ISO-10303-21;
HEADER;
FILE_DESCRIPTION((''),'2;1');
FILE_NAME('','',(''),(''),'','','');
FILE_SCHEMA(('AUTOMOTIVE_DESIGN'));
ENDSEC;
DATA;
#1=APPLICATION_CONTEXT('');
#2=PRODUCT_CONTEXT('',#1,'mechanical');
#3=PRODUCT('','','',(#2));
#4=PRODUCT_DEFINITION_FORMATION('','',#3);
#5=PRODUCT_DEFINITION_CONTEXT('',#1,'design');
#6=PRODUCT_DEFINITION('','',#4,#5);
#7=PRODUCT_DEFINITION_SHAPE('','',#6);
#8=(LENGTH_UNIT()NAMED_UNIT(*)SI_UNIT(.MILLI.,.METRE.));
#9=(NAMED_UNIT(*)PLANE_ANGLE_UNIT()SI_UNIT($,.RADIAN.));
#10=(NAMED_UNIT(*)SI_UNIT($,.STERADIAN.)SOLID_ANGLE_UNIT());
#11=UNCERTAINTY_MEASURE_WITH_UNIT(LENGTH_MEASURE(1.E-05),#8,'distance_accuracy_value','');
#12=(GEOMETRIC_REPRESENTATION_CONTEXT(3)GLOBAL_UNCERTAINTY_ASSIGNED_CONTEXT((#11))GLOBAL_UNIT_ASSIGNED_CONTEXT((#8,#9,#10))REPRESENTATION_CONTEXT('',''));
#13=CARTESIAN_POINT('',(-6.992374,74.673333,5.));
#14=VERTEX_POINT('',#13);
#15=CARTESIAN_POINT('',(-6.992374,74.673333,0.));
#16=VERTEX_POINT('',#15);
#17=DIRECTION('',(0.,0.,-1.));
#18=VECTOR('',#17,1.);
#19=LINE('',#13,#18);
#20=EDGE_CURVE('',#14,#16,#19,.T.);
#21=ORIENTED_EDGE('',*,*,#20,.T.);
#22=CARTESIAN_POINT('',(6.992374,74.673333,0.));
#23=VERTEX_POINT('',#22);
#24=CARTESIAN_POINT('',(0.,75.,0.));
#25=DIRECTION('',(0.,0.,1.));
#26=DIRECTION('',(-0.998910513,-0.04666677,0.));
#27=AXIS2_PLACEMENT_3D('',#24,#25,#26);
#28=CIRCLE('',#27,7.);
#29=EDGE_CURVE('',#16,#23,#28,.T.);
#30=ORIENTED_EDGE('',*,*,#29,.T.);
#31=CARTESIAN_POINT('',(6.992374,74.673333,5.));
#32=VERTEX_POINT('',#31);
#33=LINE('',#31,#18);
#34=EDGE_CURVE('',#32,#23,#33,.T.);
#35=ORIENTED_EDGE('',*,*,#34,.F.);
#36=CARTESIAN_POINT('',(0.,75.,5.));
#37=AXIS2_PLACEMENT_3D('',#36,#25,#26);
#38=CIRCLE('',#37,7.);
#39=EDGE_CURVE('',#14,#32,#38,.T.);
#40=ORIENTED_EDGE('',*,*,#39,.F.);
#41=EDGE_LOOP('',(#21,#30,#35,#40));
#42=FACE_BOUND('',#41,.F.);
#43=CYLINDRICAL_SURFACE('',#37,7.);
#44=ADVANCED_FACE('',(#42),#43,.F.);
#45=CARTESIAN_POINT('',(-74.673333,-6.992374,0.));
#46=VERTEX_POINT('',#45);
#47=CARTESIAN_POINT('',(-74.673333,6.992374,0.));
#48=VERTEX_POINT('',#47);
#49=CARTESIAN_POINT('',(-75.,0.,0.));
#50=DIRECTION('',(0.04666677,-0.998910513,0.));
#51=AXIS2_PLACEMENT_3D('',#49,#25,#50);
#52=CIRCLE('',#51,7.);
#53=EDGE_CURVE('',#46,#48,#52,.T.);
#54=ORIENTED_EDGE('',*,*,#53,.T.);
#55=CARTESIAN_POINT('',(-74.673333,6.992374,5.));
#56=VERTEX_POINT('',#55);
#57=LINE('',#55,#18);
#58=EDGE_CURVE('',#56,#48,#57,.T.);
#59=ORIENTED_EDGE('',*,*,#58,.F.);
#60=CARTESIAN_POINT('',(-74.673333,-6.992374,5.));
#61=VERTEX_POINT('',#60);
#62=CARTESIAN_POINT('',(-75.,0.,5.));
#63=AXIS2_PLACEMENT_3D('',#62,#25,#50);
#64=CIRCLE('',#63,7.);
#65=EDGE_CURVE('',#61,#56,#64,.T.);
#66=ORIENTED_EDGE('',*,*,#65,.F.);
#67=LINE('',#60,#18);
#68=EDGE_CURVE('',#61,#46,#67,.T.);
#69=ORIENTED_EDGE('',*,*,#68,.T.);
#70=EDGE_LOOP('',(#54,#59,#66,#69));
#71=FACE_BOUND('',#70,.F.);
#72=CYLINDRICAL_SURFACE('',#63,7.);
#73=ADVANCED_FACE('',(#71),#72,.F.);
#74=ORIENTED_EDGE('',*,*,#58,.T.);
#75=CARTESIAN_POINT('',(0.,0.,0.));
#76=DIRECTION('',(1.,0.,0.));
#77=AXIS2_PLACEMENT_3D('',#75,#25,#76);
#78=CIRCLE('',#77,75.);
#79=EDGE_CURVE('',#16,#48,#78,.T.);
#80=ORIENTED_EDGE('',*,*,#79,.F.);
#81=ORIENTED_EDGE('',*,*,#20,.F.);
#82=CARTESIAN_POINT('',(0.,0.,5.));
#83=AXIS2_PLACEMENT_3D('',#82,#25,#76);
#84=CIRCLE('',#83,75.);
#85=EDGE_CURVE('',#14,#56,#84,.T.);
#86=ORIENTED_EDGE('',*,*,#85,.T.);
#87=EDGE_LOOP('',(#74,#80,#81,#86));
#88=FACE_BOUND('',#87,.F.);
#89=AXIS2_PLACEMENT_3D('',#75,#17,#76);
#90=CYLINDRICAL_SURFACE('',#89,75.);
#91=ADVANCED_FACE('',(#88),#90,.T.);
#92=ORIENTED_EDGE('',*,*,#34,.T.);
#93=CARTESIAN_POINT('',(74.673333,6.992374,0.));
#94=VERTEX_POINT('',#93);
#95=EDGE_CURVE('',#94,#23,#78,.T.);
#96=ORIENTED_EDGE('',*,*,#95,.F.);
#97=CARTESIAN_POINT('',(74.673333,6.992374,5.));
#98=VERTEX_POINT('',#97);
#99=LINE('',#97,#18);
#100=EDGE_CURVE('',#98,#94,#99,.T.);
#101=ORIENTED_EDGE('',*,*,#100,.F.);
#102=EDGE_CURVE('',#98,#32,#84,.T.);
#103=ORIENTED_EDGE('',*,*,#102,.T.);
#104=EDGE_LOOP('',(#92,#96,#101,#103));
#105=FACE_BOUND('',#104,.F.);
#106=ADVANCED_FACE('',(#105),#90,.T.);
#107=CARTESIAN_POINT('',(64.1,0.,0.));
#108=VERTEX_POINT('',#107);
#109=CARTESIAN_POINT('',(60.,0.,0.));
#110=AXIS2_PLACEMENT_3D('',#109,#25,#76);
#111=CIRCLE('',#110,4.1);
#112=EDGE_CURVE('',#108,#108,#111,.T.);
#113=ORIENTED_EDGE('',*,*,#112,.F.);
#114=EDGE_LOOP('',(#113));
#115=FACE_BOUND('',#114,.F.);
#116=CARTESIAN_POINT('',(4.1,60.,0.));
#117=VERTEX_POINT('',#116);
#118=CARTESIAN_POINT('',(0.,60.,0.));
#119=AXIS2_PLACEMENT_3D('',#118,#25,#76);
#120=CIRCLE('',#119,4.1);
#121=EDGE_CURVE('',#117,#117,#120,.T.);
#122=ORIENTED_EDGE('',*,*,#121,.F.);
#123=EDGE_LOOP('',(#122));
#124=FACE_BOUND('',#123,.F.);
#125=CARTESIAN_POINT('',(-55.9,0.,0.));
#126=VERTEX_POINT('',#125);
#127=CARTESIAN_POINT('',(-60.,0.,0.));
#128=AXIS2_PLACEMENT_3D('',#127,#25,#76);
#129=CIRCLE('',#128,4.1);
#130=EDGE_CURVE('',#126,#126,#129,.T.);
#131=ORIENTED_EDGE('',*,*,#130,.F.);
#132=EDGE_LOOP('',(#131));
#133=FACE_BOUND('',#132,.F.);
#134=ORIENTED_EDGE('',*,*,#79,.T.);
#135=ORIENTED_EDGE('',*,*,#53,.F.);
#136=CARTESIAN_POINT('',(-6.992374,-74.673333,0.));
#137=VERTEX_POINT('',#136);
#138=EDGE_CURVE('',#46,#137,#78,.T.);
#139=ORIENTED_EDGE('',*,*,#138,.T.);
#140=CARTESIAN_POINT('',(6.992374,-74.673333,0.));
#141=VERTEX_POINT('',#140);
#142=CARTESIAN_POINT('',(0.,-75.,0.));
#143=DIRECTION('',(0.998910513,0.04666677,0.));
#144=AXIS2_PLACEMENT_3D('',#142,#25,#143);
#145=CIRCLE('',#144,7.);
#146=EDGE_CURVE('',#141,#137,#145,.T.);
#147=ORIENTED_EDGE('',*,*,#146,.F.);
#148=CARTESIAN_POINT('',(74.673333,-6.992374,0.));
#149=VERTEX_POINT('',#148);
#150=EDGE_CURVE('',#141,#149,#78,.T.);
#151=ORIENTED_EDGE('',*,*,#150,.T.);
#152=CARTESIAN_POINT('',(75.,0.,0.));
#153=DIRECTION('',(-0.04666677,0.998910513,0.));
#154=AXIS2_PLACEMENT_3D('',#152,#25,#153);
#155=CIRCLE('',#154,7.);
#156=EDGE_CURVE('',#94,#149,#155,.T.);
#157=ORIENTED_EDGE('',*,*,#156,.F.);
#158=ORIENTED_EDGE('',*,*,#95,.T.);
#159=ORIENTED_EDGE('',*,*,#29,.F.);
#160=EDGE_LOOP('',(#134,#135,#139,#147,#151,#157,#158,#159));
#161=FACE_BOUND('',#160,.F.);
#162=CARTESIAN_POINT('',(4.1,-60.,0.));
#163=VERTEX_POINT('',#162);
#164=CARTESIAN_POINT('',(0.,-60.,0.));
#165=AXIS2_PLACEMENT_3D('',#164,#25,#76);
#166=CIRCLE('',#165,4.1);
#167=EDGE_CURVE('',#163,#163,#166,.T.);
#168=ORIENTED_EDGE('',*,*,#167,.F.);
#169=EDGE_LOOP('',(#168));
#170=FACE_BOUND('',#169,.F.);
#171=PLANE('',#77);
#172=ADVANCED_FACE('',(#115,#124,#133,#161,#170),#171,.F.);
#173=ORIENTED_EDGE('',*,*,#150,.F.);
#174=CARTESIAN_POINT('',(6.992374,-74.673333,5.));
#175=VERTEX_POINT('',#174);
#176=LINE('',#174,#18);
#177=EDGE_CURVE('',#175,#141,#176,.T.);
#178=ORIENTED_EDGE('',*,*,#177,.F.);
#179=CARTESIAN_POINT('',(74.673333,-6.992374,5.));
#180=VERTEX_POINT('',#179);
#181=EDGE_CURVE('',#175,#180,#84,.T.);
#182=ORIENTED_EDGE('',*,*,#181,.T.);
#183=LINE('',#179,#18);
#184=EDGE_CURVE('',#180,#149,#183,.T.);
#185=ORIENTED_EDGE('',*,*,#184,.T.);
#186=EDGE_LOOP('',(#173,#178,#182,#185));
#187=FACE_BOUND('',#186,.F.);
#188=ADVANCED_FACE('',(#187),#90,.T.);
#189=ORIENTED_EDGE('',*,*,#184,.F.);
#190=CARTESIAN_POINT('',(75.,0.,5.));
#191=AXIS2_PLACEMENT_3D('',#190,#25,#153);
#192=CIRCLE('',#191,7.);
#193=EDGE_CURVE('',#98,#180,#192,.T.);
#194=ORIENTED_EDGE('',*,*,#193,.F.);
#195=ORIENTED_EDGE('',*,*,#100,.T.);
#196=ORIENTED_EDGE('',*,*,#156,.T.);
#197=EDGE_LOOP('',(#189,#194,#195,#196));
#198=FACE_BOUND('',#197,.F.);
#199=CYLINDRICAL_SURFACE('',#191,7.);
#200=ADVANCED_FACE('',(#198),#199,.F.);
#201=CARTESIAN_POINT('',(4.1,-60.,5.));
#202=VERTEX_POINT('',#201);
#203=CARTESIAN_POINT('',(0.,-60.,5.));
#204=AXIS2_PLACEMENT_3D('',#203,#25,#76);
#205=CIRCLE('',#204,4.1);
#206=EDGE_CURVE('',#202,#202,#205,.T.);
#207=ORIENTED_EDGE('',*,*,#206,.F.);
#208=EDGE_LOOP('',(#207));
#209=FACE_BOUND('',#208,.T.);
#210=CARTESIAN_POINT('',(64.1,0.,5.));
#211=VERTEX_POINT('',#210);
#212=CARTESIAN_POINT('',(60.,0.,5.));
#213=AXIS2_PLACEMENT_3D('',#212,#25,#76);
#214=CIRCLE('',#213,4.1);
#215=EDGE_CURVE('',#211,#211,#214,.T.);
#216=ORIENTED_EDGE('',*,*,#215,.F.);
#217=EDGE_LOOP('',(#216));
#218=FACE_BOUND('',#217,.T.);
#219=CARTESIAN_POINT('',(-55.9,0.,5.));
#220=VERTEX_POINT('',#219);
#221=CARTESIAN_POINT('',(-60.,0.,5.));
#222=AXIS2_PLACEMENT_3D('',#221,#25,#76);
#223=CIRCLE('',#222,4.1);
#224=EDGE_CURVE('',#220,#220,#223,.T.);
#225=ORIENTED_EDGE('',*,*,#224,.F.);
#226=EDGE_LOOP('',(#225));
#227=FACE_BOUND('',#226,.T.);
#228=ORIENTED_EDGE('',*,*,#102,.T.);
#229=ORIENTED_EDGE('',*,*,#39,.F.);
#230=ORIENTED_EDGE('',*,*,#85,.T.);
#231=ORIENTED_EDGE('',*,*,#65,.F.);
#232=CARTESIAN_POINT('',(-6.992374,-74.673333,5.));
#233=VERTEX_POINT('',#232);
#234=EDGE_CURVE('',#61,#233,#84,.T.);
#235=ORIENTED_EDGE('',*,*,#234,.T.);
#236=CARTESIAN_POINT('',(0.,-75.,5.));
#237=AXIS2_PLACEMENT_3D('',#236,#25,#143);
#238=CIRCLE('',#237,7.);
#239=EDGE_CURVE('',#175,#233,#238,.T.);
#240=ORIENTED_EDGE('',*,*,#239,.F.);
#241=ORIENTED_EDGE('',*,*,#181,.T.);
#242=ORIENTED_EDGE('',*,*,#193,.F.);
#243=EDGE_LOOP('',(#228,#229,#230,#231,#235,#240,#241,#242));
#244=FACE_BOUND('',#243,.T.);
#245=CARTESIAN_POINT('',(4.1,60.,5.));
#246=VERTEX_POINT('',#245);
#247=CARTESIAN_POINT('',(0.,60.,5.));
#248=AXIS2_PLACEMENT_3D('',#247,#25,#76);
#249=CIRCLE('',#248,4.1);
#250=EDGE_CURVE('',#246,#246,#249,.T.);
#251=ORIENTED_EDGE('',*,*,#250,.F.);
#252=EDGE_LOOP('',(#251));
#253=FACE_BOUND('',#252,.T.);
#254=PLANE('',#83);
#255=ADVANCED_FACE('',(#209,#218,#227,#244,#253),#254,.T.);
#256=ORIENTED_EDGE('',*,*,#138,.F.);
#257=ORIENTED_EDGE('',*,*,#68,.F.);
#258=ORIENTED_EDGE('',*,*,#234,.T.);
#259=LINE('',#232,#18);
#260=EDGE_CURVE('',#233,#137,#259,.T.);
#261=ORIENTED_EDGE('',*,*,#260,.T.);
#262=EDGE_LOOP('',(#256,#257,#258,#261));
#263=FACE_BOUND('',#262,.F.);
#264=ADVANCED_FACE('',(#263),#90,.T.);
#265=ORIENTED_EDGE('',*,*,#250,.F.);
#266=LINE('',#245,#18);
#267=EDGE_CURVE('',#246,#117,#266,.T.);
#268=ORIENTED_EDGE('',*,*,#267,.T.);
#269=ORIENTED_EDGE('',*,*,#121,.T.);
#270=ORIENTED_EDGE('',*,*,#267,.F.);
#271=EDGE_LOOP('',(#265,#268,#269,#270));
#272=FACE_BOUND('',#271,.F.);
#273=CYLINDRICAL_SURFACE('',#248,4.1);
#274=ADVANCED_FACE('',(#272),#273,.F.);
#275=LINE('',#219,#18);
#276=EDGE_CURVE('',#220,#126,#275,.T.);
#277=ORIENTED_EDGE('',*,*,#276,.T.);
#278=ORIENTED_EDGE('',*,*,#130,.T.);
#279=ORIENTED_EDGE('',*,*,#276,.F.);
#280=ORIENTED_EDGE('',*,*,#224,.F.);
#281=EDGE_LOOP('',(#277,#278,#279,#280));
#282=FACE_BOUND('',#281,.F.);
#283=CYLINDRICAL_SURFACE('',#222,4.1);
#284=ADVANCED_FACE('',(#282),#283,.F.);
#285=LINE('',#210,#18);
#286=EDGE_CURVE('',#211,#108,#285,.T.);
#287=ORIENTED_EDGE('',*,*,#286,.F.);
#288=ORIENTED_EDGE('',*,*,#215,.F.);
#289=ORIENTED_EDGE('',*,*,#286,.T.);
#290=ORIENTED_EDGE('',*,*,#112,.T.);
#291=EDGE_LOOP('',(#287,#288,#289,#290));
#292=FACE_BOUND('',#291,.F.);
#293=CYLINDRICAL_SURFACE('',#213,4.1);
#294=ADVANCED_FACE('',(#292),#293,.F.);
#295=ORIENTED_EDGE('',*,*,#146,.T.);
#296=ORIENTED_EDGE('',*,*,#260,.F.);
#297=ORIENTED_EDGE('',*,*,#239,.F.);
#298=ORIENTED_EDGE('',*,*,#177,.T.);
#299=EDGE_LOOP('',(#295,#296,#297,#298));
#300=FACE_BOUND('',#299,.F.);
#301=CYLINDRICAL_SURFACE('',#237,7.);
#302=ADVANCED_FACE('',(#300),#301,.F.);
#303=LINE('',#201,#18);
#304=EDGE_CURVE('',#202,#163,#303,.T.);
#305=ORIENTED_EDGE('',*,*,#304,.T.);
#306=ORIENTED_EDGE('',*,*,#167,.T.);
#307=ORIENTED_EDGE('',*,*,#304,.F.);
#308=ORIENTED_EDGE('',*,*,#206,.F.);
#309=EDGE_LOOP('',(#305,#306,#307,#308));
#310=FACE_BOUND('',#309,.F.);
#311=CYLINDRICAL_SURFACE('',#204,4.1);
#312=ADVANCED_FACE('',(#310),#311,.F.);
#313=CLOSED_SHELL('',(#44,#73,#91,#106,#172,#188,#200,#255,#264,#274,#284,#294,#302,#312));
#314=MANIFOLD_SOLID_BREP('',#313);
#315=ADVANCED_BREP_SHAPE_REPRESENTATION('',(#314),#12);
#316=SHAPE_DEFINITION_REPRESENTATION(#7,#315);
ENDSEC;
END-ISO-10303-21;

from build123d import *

# Parameters (mm, degrees)
F0_R     = 75
F1_DEPTH = 5
F2_R     = 4.1
F3_DEPTH = 5


with BuildPart() as f1:
    # F0 (on Top) → F1 (new body)
    with BuildSketch(Plane.XY):
        Circle(F0_R)
    extrude(amount=F1_DEPTH)

    # F2 (on face) → F3 (cut, through all)
    with BuildSketch(Plane.XY.offset(5)):
        with Locations((0, 60)):
            Circle(F2_R)
        with Locations((60, 0)):
            Circle(F2_R)
        with Locations((0, -60)):
            Circle(F2_R)
        with Locations((-60, 0)):
            Circle(F2_R)
        with BuildLine():
            ThreePointArc((74.673333, -6.992374), (75, 0), (74.673333, 6.992374))
            ThreePointArc((74.673333, 6.992374), (68, 0), (74.673333, -6.992374))
        make_face()
        with BuildLine():
            ThreePointArc((-6.992374, 74.673333), (0, 68), (6.992374, 74.673333))
            ThreePointArc((6.992374, 74.673333), (0, 75), (-6.992374, 74.673333))
        make_face()
        with BuildLine():
            ThreePointArc((-74.673333, -6.992374), (-68, 0), (-74.673333, 6.992374))
            ThreePointArc((-74.673333, 6.992374), (-75, 0), (-74.673333, -6.992374))
        make_face()
        with BuildLine():
            ThreePointArc((6.992374, -74.673333), (0, -68), (-6.992374, -74.673333))
            ThreePointArc((-6.992374, -74.673333), (0, -75), (6.992374, -74.673333))
        make_face()
    extrude(amount=-F3_DEPTH, mode=Mode.SUBTRACT)


solid = f1.part
